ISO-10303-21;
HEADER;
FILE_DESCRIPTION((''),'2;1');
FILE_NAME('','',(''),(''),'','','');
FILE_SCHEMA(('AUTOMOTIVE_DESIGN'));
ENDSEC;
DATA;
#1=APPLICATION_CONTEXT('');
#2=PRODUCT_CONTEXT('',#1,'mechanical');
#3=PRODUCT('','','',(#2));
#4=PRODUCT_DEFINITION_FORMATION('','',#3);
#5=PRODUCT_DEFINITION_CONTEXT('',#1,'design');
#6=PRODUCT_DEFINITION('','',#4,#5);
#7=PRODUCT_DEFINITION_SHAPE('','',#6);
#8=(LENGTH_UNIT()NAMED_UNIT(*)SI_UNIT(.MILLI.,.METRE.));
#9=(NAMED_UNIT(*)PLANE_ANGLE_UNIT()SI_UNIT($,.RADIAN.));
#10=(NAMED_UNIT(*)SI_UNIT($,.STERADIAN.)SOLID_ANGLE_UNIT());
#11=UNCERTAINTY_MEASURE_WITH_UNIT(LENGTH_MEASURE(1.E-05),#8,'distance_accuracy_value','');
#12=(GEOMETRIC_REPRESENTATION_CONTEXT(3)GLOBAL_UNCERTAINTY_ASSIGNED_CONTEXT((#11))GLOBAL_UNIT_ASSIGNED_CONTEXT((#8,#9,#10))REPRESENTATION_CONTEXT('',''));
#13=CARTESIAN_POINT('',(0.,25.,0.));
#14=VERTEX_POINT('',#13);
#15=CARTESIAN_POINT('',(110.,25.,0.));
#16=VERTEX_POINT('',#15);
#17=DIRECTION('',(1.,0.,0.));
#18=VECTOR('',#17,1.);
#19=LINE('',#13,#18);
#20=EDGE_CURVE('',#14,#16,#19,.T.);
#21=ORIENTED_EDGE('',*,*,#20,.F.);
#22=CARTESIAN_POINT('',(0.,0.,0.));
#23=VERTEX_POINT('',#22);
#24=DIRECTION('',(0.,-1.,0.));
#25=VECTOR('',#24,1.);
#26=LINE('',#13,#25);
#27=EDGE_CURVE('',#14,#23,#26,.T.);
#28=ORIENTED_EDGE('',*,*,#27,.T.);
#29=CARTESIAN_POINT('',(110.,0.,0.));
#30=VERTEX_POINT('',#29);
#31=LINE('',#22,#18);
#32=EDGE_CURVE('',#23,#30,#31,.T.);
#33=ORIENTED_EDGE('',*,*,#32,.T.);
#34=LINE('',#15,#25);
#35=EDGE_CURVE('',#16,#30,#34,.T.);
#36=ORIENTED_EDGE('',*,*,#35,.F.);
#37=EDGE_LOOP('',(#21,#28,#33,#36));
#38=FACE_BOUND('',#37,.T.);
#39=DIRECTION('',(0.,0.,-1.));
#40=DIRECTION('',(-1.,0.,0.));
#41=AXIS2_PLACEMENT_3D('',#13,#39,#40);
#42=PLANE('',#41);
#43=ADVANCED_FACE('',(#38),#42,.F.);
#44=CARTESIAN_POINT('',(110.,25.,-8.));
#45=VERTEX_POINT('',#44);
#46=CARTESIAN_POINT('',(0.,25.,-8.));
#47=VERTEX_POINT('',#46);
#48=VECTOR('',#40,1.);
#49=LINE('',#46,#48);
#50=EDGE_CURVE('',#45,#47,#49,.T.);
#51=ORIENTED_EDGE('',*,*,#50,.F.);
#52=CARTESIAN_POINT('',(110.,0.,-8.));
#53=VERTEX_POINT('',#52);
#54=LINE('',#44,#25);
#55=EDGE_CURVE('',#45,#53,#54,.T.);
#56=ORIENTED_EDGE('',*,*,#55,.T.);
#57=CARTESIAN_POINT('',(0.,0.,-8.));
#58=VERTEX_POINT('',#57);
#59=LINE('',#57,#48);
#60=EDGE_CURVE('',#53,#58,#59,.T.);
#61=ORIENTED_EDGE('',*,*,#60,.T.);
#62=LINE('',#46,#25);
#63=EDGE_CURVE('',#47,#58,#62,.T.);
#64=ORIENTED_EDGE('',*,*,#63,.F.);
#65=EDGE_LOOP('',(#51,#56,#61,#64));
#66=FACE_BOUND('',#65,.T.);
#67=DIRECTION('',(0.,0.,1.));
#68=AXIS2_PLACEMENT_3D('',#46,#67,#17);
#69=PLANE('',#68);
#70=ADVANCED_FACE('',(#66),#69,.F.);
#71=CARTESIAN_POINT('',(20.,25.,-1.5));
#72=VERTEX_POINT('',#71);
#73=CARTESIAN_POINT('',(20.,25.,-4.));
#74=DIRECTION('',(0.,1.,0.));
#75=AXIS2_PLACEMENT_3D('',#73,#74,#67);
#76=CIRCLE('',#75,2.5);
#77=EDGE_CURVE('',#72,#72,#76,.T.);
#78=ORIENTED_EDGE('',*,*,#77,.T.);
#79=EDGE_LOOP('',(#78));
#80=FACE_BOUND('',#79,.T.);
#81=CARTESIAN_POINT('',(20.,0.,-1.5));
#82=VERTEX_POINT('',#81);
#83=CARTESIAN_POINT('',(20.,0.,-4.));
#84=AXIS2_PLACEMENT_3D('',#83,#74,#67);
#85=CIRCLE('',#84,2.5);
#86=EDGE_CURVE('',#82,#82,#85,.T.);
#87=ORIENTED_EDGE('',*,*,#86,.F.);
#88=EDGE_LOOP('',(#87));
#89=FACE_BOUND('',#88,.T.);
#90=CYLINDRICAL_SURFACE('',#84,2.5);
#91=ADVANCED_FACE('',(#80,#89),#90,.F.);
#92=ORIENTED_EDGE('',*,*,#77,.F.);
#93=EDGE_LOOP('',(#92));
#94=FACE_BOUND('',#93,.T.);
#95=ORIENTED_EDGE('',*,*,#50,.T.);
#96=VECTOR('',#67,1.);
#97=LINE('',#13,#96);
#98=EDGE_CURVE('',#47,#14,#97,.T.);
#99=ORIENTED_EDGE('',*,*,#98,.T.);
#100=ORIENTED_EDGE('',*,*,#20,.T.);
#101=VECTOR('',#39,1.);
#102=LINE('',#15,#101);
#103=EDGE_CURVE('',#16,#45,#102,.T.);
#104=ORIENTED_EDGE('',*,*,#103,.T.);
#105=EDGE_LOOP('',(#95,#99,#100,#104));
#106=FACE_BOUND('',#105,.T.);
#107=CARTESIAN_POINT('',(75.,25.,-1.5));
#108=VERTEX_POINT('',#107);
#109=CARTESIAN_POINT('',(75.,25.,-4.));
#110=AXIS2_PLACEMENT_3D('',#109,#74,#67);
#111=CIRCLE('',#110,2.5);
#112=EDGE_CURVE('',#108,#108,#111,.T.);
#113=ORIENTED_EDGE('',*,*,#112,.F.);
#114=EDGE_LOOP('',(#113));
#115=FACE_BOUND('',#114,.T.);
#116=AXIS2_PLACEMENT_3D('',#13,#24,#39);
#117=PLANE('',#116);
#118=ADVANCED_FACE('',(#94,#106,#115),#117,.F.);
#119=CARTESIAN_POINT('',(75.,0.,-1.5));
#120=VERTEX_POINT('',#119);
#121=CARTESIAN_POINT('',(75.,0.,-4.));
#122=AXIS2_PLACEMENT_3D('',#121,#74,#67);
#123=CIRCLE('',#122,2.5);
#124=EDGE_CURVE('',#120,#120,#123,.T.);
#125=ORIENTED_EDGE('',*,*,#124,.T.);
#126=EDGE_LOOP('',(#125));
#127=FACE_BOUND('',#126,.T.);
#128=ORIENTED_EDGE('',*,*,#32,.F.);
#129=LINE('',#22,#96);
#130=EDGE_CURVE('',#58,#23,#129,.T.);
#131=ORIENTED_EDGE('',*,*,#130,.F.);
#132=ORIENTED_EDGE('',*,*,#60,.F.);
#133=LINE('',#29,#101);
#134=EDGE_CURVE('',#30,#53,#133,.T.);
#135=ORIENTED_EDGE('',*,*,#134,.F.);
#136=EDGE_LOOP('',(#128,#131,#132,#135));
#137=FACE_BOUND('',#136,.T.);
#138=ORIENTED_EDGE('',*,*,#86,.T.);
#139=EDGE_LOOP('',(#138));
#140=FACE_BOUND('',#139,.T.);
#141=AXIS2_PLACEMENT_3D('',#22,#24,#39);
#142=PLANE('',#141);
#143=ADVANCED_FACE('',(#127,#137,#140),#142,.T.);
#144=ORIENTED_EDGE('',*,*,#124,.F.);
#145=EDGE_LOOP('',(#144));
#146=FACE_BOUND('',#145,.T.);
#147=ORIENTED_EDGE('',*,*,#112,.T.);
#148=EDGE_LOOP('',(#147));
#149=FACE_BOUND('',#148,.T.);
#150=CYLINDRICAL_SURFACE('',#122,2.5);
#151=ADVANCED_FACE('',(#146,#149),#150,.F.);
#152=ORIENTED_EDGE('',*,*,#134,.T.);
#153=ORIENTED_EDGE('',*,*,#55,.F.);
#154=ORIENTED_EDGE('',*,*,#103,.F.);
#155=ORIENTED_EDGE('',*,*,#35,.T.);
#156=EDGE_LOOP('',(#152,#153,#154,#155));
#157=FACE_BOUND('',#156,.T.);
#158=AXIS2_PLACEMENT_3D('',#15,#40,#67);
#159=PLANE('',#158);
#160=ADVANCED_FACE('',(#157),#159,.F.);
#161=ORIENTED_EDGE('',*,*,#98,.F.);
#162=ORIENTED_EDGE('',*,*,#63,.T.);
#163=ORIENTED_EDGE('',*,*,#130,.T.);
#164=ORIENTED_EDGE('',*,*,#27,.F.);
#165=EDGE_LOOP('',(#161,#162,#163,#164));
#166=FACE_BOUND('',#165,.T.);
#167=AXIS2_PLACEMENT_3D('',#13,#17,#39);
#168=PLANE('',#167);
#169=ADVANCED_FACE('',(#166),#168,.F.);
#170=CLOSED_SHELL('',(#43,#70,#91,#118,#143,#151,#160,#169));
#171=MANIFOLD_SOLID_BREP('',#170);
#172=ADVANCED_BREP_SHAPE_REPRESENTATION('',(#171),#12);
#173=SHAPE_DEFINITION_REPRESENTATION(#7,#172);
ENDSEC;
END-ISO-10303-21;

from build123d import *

# Parameters (mm, degrees)
SKETCH1_W           = 110
SKETCH1_H           = 8
BOSS_EXTRUDE1_DEPTH = 25
SKETCH2_R           = 2.5
CUT_EXTRUDE1_DEPTH  = 26


with BuildPart() as part:
    # Sketch1 → Boss-Extrude1 (new body)
    with BuildSketch(Plane(origin=(0, 0, 0), x_dir=(1, 0, 0), z_dir=(0, 1, 0))):
        with Locations((55, 4)):
            Rectangle(SKETCH1_W, SKETCH1_H)
    extrude(amount=BOSS_EXTRUDE1_DEPTH)

    # Sketch2 → Cut-Extrude1 (cut, through all)
    with BuildSketch(Plane(origin=(0, 25, 0), x_dir=(1, 0, 0), z_dir=(0, 1, 0))):
        with Locations((20, 4)):
            Circle(SKETCH2_R)
        with Locations((75, 4)):
            Circle(SKETCH2_R)
    extrude(amount=-CUT_EXTRUDE1_DEPTH, mode=Mode.SUBTRACT)


solid = part.part
